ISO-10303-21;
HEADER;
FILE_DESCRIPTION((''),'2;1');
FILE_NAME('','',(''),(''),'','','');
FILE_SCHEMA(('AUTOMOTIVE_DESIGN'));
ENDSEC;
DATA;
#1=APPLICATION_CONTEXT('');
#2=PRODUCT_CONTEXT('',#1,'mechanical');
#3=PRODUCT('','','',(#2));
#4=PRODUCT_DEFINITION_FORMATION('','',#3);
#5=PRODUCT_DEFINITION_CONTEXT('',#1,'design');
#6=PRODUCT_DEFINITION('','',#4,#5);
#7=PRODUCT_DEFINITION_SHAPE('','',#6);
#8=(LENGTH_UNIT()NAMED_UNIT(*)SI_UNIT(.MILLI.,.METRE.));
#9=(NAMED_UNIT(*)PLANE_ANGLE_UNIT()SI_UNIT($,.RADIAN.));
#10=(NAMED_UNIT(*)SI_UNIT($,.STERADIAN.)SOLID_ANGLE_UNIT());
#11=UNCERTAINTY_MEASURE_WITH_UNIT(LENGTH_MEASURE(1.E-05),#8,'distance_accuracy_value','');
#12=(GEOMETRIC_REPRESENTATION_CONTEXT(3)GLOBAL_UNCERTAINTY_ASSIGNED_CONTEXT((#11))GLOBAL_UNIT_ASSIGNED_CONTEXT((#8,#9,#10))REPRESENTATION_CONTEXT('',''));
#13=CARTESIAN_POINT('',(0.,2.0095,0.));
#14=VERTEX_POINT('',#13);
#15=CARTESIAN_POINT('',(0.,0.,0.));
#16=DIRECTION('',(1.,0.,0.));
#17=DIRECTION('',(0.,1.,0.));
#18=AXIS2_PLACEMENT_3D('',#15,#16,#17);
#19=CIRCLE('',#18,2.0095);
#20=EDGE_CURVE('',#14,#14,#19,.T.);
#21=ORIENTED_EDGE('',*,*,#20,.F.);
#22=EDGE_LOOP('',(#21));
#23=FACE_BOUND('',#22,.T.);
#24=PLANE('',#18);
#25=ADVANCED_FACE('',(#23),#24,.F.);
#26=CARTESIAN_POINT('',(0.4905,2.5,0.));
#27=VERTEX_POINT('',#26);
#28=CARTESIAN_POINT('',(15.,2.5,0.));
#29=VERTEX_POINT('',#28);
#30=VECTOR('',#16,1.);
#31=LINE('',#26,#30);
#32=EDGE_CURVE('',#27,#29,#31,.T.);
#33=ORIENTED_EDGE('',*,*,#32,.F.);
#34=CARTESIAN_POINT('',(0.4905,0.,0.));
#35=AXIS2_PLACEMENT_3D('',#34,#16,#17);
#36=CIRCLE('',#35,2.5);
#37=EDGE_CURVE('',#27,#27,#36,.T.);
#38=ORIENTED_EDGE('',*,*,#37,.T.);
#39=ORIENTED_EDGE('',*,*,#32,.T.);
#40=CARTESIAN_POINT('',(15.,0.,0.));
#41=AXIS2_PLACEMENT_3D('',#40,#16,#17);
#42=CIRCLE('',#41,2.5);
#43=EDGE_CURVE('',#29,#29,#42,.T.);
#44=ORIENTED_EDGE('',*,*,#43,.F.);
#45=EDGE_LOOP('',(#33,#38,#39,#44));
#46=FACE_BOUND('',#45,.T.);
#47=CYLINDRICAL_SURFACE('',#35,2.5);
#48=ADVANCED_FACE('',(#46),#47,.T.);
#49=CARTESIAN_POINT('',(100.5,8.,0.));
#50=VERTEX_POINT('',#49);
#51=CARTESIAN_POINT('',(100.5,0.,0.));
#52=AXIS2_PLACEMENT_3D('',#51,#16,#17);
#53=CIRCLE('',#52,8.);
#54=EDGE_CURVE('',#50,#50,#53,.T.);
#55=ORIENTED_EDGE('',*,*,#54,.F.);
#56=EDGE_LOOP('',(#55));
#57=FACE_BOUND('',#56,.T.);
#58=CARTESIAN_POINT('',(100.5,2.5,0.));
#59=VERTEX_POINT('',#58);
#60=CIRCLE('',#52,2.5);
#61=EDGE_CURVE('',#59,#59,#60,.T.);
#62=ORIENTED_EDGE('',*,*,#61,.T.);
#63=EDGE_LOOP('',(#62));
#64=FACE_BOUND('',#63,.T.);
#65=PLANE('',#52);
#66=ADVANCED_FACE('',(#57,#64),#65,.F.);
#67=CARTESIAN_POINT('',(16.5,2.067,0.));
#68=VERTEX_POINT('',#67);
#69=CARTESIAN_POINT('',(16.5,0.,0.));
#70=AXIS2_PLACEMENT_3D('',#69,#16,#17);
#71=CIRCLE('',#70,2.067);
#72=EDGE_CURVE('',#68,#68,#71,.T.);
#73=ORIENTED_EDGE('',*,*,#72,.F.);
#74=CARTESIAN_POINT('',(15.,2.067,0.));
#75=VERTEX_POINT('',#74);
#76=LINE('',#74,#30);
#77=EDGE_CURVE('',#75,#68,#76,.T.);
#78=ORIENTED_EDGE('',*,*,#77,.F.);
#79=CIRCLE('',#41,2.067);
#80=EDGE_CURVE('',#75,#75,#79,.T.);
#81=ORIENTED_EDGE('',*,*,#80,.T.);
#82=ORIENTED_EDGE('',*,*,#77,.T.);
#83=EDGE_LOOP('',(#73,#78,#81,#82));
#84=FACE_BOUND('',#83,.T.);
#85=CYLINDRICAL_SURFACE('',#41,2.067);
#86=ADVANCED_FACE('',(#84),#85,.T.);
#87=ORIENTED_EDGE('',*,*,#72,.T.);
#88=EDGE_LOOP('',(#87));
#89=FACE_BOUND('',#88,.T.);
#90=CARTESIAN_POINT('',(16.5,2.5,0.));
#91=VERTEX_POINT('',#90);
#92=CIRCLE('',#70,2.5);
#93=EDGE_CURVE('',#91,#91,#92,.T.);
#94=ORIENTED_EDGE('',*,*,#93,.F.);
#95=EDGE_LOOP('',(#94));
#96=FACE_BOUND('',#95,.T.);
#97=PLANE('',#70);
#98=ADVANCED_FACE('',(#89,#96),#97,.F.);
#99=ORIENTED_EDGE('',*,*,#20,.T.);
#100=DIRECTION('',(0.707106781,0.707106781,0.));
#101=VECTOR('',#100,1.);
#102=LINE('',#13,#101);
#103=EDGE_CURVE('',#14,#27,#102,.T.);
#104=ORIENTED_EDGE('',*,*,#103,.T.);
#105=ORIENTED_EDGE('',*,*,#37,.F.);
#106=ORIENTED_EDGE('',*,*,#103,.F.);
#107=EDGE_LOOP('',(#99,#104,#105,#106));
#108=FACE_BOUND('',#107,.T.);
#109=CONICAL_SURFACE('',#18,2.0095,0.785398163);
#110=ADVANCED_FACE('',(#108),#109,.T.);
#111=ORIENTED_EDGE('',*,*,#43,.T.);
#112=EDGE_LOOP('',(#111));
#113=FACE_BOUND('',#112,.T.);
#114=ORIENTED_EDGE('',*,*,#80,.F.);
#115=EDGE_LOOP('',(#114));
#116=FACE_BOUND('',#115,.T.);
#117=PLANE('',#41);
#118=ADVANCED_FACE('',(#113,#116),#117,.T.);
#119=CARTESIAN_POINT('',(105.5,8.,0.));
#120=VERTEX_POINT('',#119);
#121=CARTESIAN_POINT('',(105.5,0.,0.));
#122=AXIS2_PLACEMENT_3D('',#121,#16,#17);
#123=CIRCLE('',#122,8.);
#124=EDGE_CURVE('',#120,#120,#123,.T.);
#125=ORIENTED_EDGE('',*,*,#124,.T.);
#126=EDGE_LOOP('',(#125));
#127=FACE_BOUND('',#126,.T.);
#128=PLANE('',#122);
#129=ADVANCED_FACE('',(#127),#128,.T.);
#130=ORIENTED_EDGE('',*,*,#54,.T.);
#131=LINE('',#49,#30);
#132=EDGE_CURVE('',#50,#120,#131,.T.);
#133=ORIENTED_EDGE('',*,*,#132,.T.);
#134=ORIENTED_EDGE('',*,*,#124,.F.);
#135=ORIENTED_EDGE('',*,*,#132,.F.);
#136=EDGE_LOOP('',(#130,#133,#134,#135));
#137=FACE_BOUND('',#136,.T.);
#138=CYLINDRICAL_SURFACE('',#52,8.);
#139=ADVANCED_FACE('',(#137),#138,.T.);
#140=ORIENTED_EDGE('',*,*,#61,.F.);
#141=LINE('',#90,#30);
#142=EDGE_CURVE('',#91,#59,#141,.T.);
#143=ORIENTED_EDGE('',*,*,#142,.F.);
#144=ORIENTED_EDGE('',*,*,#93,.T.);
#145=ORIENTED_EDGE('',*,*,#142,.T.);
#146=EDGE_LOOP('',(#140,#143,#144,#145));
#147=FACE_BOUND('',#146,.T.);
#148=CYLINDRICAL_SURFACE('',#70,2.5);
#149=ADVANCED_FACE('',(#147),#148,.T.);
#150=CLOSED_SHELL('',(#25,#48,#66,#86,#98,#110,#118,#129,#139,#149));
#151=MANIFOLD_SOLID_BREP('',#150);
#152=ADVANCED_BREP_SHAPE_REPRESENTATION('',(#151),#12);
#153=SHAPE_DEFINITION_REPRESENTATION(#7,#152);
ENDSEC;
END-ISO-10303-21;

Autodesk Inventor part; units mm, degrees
sketch "Sketch_5" plane through (0, 0, 0) normal (0, 0, 1) x (1, 0, 0)
  line L0 (105.5, 0) -> (0, 0)
  line L1 (0, 0) -> (0, 2.0095)
  line L2 (0, 2.0095) -> (0.4905, 2.5)
  line L3 (0.4905, 2.5) -> (15, 2.5)
  line L4 (15, 2.5) -> (15, 2.067)
  line L5 (15, 2.067) -> (16.5, 2.067)
  line L6 (16.5, 2.067) -> (16.5, 2.5)
  line L7 (16.5, 2.5) -> (100.5, 2.5)
  line L8 (100.5, 2.5) -> (100.5, 8)
  line L9 (100.5, 8) -> (105.5, 8)
  line L10 (105.5, 8) -> (105.5, 0)
  line L11 (105.5, 0) -> (0, 0)
revolve "Revolution1" add sketch "Sketch_5" angle 360 about axis through (105.5, 0, 0) along (1, 0, 0)
thread "Thread1" size "M5x0.8" class "6g" standard "ISO Metric profile" full length
ref_plane "ROD_BA_XY" through (10, 0, 0) normal (-1, 0, 0) x (0, 0, -1)
ref_plane "ROD_BA_YZ" through (10, 0, 0) normal (0, 0, -1) x (0, -1, 0)
ref_plane "ROD_BA_ZX" through (10, 0, 0) normal (0, -1, 0) x (-1, 0, 0)
ref_plane "ROD_BODY_XY" through (28, 0, 0) normal (-1, 0, 0) x (0, 0, -1)
ref_plane "ROD_BODY_YZ" through (28, 0, 0) normal (0, 0, -1) x (0, -1, 0)
ref_plane "ROD_BODY_ZX" through (28, 0, 0) normal (0, -1, 0) x (-1, 0, 0)
ref_plane "rodnt1_XY" through (7.5, 0, 0) normal (1, 0, 0) x (0, 0, -1)
ref_plane "rodnt1_YZ" through (7.5, 0, 0) normal (0, 0, -1) x (0, 1, 0)
ref_plane "rodnt1_ZX" through (7.5, 0, 0) normal (0, 1, 0) x (1, 0, 0)
properties part number "CJ2B16-60Z_ROD" material "ステンレス鋼"
